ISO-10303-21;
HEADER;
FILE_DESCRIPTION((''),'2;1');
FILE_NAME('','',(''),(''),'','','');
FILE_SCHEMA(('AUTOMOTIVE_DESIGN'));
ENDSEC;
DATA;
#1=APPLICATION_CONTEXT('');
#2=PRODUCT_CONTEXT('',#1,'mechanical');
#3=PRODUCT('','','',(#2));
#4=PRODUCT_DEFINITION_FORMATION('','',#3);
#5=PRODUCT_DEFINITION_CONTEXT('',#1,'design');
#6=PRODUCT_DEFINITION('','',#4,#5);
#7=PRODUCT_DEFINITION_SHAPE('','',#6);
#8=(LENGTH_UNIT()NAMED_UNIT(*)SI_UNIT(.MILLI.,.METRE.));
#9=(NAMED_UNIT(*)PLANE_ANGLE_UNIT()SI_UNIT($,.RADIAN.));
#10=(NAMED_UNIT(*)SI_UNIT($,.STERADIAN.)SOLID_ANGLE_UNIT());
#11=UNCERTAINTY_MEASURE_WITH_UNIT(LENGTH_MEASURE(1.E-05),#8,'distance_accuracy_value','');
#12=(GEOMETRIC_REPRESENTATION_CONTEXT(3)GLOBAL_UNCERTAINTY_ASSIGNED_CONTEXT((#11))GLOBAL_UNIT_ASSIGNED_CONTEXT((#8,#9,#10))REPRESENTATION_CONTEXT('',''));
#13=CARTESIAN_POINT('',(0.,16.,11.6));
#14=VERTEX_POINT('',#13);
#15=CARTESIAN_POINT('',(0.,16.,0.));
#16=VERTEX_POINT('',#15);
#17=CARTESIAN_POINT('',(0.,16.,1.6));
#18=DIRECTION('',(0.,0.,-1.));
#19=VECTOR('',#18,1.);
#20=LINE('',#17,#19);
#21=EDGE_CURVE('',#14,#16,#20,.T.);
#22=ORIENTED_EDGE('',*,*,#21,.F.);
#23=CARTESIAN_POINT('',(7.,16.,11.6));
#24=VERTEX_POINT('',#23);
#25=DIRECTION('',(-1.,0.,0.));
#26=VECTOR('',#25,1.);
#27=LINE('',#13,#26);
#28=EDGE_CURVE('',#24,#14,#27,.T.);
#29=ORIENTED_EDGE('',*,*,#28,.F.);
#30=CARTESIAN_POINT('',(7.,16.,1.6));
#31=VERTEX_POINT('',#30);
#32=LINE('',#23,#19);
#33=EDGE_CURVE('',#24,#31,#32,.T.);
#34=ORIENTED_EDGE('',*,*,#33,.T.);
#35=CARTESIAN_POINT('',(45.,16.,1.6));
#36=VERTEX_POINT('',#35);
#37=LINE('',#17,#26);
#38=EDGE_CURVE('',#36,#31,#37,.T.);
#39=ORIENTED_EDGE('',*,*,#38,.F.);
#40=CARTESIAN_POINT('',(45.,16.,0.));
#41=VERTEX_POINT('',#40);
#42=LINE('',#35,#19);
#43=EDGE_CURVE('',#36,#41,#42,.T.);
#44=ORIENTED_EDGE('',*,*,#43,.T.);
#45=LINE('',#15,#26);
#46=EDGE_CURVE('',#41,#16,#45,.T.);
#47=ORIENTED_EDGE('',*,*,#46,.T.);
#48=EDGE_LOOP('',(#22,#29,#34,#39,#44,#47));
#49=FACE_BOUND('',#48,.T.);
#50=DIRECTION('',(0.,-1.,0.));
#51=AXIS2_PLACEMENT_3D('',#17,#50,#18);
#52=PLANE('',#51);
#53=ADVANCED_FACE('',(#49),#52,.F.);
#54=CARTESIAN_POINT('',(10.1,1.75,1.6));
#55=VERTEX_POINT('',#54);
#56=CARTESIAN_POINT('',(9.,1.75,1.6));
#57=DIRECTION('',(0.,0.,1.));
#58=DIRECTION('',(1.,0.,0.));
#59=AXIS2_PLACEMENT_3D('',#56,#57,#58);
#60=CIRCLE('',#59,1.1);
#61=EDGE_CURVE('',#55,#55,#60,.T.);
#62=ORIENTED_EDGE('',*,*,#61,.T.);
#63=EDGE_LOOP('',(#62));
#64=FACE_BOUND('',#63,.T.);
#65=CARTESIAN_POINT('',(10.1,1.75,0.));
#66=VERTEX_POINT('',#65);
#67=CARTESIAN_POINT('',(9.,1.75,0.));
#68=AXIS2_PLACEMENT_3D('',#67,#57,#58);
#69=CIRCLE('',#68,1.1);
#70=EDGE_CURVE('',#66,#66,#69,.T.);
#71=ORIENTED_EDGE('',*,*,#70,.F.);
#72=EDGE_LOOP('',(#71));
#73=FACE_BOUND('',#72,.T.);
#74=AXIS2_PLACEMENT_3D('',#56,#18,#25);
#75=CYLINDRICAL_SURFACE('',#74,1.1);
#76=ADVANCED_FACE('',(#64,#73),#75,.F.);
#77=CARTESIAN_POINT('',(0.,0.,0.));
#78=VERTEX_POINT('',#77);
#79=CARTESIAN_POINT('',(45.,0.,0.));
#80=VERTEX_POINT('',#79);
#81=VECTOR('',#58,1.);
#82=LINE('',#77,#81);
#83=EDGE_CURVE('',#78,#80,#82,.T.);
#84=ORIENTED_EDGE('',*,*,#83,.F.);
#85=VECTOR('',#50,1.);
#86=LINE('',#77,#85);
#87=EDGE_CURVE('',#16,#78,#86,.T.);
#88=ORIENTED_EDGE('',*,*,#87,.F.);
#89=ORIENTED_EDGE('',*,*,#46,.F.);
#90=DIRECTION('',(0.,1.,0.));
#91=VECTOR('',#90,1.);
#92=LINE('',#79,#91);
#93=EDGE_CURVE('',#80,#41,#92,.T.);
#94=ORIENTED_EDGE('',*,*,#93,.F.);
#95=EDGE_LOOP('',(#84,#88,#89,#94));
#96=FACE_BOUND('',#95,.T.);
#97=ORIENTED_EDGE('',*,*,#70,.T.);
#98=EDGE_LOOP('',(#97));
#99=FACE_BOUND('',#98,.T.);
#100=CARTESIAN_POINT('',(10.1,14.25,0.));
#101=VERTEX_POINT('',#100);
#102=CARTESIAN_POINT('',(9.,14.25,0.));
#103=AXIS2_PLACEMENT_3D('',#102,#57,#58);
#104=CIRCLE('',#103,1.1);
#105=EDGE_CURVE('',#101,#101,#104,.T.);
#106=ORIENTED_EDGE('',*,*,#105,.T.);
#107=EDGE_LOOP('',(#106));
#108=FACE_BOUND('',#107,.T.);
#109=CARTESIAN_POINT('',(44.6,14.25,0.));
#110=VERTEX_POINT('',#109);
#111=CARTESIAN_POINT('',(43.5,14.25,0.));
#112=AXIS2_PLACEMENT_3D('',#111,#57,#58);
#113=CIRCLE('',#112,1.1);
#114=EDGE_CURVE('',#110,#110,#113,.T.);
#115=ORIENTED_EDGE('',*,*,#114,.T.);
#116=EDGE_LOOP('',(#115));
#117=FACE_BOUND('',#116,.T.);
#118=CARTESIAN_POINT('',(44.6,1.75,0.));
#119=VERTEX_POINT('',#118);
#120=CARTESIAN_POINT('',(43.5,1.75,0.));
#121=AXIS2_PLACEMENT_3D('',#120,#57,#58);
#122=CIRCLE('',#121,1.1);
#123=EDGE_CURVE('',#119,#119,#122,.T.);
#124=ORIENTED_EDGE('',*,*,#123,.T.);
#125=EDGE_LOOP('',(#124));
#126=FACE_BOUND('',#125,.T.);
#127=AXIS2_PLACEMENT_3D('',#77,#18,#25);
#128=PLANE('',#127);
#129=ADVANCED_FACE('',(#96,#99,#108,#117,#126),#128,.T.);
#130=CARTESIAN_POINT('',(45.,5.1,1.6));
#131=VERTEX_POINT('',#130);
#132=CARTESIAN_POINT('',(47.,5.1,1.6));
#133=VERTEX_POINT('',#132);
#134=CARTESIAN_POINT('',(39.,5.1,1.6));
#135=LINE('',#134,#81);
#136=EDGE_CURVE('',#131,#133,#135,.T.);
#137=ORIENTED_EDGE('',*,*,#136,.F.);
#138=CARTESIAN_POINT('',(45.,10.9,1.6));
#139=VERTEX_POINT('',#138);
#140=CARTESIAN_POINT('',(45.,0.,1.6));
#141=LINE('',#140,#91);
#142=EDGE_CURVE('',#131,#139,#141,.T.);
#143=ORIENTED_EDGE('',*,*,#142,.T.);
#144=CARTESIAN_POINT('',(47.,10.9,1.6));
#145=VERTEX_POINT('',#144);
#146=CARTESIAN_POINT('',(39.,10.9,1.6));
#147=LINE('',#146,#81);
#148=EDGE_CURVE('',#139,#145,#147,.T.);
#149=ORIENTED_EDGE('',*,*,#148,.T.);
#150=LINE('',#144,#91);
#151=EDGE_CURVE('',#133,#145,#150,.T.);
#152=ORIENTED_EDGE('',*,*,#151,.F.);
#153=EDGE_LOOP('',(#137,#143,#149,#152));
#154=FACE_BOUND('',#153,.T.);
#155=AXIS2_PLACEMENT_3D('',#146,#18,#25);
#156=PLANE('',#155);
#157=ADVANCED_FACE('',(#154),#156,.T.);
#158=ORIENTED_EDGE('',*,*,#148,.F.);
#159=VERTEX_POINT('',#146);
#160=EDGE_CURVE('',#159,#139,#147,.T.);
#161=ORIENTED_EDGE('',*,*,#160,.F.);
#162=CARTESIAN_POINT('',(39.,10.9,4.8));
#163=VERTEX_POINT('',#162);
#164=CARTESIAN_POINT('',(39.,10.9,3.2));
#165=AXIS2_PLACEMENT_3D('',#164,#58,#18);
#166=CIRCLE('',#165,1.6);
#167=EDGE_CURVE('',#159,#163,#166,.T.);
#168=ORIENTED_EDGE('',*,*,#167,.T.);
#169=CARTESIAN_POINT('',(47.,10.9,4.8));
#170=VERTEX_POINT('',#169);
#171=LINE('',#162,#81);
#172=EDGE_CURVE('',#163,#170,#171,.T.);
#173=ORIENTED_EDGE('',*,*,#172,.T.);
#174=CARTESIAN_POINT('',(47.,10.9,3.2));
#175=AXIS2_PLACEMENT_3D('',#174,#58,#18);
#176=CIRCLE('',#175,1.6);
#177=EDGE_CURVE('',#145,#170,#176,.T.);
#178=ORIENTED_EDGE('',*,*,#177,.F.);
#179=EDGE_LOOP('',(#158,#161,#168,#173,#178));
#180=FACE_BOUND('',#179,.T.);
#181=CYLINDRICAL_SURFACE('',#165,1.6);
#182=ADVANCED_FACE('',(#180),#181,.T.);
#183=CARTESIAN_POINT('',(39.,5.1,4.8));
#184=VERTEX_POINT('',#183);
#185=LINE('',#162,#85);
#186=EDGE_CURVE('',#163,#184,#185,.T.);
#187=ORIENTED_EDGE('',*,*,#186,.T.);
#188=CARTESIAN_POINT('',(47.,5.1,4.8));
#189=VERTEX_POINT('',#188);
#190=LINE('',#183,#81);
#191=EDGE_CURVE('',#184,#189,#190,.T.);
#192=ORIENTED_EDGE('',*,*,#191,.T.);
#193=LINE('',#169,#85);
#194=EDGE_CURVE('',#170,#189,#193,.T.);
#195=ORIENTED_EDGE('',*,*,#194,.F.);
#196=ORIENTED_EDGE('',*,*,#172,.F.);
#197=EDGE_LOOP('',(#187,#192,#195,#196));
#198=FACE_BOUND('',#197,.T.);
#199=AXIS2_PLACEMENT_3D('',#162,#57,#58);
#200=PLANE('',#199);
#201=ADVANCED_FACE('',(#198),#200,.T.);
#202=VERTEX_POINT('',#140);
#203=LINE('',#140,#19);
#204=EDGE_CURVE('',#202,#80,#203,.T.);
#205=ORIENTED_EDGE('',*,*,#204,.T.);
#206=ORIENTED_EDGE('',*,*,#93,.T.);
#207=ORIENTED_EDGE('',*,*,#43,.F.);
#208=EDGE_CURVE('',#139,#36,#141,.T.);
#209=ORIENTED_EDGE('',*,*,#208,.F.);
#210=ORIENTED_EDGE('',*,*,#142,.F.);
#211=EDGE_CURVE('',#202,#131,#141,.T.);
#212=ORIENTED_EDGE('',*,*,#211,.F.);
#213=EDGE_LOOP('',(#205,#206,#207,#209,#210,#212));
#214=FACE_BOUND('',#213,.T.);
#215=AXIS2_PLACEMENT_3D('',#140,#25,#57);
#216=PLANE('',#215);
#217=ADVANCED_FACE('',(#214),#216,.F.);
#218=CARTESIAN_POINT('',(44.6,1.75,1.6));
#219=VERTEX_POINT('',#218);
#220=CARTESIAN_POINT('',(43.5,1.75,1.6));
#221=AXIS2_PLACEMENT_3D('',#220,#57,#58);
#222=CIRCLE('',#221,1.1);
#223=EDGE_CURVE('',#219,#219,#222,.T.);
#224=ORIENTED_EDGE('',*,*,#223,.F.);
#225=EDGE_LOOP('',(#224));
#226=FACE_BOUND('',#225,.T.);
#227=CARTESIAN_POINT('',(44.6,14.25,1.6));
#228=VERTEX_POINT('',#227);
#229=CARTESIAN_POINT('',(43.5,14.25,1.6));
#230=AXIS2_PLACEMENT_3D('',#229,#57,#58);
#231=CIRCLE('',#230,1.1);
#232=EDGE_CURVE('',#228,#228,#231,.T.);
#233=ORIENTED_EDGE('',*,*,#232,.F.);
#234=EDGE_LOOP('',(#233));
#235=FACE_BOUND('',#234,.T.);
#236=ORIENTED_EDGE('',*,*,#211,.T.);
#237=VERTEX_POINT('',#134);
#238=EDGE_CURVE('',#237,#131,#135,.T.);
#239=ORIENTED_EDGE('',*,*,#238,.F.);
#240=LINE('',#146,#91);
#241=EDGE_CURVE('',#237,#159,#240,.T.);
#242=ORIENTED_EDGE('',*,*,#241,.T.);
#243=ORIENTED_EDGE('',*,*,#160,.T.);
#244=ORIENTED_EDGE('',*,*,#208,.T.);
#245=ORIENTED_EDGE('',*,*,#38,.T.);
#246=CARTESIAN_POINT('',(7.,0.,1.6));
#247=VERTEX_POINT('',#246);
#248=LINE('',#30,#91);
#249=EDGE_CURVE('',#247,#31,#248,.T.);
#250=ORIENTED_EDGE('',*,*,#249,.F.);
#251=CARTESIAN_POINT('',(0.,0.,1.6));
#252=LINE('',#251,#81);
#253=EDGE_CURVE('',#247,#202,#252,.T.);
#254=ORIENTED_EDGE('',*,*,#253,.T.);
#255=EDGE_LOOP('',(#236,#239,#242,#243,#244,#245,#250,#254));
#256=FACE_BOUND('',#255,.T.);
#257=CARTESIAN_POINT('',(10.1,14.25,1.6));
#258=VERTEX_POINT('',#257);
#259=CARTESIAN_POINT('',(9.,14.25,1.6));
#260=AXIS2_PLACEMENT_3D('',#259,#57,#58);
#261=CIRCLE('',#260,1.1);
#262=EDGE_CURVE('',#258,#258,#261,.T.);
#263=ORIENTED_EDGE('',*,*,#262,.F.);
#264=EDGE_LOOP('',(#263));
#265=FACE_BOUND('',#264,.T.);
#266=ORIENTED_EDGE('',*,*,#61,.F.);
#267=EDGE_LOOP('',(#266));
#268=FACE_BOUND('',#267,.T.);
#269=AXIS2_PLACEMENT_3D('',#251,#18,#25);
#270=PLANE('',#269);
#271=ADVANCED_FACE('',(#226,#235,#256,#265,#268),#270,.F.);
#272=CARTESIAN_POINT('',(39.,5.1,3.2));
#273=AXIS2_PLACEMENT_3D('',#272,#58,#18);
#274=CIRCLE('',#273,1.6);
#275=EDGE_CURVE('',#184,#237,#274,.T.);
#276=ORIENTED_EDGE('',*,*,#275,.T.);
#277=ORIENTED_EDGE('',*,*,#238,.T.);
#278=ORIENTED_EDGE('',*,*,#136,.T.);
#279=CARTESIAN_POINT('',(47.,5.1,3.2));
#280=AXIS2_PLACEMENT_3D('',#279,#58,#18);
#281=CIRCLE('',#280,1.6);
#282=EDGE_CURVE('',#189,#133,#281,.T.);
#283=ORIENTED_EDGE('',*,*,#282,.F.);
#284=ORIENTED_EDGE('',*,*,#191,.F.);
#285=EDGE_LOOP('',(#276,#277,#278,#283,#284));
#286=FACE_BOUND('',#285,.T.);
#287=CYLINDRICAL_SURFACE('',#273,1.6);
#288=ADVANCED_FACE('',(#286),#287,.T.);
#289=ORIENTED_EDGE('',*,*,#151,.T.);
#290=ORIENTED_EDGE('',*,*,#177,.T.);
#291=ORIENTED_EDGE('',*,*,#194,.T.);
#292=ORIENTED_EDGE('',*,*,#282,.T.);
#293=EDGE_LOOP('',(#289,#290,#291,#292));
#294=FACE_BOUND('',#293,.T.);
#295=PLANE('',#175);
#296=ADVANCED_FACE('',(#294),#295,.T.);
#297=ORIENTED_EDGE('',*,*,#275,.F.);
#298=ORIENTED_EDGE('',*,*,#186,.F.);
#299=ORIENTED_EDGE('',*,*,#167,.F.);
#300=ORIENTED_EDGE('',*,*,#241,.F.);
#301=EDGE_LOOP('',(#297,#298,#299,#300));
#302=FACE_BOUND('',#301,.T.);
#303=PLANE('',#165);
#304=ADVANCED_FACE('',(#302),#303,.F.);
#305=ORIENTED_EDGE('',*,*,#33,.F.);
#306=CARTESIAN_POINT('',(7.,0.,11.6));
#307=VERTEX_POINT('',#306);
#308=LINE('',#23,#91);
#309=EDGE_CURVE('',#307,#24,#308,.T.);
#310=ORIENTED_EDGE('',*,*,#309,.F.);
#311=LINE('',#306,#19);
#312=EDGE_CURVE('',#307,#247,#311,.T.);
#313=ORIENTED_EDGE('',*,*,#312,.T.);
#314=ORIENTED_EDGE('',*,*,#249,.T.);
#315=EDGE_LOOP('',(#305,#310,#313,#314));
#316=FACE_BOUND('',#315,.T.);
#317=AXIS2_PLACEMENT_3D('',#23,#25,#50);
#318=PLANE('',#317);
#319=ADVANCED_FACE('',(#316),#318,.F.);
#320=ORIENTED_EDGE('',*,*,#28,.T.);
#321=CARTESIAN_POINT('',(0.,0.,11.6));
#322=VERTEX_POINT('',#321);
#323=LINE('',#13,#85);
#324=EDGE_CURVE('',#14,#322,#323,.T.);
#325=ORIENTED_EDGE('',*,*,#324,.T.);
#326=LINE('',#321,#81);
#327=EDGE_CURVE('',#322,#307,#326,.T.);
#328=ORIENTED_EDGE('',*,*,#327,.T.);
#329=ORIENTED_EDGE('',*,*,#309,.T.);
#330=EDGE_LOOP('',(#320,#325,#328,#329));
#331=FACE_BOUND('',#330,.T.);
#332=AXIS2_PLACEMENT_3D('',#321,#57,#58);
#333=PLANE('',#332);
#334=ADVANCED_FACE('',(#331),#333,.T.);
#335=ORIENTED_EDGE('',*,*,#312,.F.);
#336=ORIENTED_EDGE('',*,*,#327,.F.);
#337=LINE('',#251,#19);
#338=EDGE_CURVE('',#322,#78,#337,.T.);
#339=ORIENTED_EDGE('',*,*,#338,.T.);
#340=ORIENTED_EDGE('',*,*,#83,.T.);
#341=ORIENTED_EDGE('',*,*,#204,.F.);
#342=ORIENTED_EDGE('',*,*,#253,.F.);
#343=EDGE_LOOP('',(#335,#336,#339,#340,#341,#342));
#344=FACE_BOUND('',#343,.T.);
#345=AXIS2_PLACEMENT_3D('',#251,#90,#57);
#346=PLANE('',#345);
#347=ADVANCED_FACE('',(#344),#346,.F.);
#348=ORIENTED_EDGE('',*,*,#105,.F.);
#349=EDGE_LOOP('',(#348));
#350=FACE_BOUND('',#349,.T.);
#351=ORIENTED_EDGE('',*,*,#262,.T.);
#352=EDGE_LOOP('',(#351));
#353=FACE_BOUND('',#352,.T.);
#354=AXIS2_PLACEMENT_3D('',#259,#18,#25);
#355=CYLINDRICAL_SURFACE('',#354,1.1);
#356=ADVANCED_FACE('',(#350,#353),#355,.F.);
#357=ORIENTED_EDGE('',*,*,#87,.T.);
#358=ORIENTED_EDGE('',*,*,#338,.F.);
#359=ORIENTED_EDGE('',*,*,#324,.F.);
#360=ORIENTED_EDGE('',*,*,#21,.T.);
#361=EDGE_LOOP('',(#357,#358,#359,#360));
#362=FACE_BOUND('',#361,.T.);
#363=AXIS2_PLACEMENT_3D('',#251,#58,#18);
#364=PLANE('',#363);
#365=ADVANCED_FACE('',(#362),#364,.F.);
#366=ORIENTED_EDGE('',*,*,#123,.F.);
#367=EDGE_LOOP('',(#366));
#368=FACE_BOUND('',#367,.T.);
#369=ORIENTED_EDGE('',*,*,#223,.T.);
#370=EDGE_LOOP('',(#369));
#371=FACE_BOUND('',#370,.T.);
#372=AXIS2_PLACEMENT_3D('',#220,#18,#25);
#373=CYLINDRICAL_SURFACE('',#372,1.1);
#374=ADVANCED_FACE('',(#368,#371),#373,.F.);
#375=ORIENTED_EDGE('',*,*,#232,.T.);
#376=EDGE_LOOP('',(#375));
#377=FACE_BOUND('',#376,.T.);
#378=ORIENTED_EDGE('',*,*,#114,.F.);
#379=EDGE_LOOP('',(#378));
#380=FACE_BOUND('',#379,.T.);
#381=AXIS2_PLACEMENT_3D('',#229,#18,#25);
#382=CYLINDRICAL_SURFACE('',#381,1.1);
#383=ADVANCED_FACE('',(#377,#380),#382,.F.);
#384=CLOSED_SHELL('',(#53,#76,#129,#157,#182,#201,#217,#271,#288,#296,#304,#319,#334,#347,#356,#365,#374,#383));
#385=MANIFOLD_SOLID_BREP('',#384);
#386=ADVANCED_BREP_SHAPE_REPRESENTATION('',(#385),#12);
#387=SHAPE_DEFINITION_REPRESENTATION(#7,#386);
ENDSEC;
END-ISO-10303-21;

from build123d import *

# Parameters (mm, degrees)
SKETCH1_W                = 45
SKETCH1_H                = 16
SKETCH1_R                = 1.1
BOSS_EXTRUDE1_DEPTH      = 1.6
BOSS_EXTRUDE2_DEPTH      = 2
BOSS_EXTRUDE2_DEPTH_BACK = 6
SKETCH3_W                = 7
SKETCH3_H                = 16
BOSS_EXTRUDE3_DEPTH      = 10


with BuildPart() as part:
    # Sketch1 → Boss-Extrude1 (new body)
    with BuildSketch(Plane.XY):
        with Locations((22.5, 8)):
            Rectangle(SKETCH1_W, SKETCH1_H)
        with Locations((9, 14.25)):
            Circle(SKETCH1_R, mode=Mode.SUBTRACT)
        with Locations((9, 1.75)):
            Circle(SKETCH1_R, mode=Mode.SUBTRACT)
        with Locations((43.5, 14.25)):
            Circle(SKETCH1_R, mode=Mode.SUBTRACT)
        with Locations((43.5, 1.75)):
            Circle(SKETCH1_R, mode=Mode.SUBTRACT)
    extrude(amount=BOSS_EXTRUDE1_DEPTH)

    # Sketch2 → Boss-Extrude2 (add, two sides: drawn at the far end of the back side and taken through both)
    with BuildSketch(Plane(origin=(45, 0, 0), x_dir=(0, 0, -1), z_dir=(1, 0, 0)).offset(-BOSS_EXTRUDE2_DEPTH_BACK)):
        with BuildLine():
            Line((-1.6, 10.9), (-1.6, 5.1))
            ThreePointArc((-1.6, 5.1), (-3.2, 3.5), (-4.8, 5.1))
            Line((-4.8, 5.1), (-4.8, 10.9))
            ThreePointArc((-4.8, 10.9), (-3.2, 12.5), (-1.6, 10.9))
        make_face()
    extrude(amount=BOSS_EXTRUDE2_DEPTH + BOSS_EXTRUDE2_DEPTH_BACK)

    # Sketch3 → Boss-Extrude3 (add)
    with BuildSketch(Plane.XY.offset(1.6)):
        with Locations((3.5, 8)):
            Rectangle(SKETCH3_W, SKETCH3_H)
    extrude(amount=BOSS_EXTRUDE3_DEPTH)


solid = part.part
